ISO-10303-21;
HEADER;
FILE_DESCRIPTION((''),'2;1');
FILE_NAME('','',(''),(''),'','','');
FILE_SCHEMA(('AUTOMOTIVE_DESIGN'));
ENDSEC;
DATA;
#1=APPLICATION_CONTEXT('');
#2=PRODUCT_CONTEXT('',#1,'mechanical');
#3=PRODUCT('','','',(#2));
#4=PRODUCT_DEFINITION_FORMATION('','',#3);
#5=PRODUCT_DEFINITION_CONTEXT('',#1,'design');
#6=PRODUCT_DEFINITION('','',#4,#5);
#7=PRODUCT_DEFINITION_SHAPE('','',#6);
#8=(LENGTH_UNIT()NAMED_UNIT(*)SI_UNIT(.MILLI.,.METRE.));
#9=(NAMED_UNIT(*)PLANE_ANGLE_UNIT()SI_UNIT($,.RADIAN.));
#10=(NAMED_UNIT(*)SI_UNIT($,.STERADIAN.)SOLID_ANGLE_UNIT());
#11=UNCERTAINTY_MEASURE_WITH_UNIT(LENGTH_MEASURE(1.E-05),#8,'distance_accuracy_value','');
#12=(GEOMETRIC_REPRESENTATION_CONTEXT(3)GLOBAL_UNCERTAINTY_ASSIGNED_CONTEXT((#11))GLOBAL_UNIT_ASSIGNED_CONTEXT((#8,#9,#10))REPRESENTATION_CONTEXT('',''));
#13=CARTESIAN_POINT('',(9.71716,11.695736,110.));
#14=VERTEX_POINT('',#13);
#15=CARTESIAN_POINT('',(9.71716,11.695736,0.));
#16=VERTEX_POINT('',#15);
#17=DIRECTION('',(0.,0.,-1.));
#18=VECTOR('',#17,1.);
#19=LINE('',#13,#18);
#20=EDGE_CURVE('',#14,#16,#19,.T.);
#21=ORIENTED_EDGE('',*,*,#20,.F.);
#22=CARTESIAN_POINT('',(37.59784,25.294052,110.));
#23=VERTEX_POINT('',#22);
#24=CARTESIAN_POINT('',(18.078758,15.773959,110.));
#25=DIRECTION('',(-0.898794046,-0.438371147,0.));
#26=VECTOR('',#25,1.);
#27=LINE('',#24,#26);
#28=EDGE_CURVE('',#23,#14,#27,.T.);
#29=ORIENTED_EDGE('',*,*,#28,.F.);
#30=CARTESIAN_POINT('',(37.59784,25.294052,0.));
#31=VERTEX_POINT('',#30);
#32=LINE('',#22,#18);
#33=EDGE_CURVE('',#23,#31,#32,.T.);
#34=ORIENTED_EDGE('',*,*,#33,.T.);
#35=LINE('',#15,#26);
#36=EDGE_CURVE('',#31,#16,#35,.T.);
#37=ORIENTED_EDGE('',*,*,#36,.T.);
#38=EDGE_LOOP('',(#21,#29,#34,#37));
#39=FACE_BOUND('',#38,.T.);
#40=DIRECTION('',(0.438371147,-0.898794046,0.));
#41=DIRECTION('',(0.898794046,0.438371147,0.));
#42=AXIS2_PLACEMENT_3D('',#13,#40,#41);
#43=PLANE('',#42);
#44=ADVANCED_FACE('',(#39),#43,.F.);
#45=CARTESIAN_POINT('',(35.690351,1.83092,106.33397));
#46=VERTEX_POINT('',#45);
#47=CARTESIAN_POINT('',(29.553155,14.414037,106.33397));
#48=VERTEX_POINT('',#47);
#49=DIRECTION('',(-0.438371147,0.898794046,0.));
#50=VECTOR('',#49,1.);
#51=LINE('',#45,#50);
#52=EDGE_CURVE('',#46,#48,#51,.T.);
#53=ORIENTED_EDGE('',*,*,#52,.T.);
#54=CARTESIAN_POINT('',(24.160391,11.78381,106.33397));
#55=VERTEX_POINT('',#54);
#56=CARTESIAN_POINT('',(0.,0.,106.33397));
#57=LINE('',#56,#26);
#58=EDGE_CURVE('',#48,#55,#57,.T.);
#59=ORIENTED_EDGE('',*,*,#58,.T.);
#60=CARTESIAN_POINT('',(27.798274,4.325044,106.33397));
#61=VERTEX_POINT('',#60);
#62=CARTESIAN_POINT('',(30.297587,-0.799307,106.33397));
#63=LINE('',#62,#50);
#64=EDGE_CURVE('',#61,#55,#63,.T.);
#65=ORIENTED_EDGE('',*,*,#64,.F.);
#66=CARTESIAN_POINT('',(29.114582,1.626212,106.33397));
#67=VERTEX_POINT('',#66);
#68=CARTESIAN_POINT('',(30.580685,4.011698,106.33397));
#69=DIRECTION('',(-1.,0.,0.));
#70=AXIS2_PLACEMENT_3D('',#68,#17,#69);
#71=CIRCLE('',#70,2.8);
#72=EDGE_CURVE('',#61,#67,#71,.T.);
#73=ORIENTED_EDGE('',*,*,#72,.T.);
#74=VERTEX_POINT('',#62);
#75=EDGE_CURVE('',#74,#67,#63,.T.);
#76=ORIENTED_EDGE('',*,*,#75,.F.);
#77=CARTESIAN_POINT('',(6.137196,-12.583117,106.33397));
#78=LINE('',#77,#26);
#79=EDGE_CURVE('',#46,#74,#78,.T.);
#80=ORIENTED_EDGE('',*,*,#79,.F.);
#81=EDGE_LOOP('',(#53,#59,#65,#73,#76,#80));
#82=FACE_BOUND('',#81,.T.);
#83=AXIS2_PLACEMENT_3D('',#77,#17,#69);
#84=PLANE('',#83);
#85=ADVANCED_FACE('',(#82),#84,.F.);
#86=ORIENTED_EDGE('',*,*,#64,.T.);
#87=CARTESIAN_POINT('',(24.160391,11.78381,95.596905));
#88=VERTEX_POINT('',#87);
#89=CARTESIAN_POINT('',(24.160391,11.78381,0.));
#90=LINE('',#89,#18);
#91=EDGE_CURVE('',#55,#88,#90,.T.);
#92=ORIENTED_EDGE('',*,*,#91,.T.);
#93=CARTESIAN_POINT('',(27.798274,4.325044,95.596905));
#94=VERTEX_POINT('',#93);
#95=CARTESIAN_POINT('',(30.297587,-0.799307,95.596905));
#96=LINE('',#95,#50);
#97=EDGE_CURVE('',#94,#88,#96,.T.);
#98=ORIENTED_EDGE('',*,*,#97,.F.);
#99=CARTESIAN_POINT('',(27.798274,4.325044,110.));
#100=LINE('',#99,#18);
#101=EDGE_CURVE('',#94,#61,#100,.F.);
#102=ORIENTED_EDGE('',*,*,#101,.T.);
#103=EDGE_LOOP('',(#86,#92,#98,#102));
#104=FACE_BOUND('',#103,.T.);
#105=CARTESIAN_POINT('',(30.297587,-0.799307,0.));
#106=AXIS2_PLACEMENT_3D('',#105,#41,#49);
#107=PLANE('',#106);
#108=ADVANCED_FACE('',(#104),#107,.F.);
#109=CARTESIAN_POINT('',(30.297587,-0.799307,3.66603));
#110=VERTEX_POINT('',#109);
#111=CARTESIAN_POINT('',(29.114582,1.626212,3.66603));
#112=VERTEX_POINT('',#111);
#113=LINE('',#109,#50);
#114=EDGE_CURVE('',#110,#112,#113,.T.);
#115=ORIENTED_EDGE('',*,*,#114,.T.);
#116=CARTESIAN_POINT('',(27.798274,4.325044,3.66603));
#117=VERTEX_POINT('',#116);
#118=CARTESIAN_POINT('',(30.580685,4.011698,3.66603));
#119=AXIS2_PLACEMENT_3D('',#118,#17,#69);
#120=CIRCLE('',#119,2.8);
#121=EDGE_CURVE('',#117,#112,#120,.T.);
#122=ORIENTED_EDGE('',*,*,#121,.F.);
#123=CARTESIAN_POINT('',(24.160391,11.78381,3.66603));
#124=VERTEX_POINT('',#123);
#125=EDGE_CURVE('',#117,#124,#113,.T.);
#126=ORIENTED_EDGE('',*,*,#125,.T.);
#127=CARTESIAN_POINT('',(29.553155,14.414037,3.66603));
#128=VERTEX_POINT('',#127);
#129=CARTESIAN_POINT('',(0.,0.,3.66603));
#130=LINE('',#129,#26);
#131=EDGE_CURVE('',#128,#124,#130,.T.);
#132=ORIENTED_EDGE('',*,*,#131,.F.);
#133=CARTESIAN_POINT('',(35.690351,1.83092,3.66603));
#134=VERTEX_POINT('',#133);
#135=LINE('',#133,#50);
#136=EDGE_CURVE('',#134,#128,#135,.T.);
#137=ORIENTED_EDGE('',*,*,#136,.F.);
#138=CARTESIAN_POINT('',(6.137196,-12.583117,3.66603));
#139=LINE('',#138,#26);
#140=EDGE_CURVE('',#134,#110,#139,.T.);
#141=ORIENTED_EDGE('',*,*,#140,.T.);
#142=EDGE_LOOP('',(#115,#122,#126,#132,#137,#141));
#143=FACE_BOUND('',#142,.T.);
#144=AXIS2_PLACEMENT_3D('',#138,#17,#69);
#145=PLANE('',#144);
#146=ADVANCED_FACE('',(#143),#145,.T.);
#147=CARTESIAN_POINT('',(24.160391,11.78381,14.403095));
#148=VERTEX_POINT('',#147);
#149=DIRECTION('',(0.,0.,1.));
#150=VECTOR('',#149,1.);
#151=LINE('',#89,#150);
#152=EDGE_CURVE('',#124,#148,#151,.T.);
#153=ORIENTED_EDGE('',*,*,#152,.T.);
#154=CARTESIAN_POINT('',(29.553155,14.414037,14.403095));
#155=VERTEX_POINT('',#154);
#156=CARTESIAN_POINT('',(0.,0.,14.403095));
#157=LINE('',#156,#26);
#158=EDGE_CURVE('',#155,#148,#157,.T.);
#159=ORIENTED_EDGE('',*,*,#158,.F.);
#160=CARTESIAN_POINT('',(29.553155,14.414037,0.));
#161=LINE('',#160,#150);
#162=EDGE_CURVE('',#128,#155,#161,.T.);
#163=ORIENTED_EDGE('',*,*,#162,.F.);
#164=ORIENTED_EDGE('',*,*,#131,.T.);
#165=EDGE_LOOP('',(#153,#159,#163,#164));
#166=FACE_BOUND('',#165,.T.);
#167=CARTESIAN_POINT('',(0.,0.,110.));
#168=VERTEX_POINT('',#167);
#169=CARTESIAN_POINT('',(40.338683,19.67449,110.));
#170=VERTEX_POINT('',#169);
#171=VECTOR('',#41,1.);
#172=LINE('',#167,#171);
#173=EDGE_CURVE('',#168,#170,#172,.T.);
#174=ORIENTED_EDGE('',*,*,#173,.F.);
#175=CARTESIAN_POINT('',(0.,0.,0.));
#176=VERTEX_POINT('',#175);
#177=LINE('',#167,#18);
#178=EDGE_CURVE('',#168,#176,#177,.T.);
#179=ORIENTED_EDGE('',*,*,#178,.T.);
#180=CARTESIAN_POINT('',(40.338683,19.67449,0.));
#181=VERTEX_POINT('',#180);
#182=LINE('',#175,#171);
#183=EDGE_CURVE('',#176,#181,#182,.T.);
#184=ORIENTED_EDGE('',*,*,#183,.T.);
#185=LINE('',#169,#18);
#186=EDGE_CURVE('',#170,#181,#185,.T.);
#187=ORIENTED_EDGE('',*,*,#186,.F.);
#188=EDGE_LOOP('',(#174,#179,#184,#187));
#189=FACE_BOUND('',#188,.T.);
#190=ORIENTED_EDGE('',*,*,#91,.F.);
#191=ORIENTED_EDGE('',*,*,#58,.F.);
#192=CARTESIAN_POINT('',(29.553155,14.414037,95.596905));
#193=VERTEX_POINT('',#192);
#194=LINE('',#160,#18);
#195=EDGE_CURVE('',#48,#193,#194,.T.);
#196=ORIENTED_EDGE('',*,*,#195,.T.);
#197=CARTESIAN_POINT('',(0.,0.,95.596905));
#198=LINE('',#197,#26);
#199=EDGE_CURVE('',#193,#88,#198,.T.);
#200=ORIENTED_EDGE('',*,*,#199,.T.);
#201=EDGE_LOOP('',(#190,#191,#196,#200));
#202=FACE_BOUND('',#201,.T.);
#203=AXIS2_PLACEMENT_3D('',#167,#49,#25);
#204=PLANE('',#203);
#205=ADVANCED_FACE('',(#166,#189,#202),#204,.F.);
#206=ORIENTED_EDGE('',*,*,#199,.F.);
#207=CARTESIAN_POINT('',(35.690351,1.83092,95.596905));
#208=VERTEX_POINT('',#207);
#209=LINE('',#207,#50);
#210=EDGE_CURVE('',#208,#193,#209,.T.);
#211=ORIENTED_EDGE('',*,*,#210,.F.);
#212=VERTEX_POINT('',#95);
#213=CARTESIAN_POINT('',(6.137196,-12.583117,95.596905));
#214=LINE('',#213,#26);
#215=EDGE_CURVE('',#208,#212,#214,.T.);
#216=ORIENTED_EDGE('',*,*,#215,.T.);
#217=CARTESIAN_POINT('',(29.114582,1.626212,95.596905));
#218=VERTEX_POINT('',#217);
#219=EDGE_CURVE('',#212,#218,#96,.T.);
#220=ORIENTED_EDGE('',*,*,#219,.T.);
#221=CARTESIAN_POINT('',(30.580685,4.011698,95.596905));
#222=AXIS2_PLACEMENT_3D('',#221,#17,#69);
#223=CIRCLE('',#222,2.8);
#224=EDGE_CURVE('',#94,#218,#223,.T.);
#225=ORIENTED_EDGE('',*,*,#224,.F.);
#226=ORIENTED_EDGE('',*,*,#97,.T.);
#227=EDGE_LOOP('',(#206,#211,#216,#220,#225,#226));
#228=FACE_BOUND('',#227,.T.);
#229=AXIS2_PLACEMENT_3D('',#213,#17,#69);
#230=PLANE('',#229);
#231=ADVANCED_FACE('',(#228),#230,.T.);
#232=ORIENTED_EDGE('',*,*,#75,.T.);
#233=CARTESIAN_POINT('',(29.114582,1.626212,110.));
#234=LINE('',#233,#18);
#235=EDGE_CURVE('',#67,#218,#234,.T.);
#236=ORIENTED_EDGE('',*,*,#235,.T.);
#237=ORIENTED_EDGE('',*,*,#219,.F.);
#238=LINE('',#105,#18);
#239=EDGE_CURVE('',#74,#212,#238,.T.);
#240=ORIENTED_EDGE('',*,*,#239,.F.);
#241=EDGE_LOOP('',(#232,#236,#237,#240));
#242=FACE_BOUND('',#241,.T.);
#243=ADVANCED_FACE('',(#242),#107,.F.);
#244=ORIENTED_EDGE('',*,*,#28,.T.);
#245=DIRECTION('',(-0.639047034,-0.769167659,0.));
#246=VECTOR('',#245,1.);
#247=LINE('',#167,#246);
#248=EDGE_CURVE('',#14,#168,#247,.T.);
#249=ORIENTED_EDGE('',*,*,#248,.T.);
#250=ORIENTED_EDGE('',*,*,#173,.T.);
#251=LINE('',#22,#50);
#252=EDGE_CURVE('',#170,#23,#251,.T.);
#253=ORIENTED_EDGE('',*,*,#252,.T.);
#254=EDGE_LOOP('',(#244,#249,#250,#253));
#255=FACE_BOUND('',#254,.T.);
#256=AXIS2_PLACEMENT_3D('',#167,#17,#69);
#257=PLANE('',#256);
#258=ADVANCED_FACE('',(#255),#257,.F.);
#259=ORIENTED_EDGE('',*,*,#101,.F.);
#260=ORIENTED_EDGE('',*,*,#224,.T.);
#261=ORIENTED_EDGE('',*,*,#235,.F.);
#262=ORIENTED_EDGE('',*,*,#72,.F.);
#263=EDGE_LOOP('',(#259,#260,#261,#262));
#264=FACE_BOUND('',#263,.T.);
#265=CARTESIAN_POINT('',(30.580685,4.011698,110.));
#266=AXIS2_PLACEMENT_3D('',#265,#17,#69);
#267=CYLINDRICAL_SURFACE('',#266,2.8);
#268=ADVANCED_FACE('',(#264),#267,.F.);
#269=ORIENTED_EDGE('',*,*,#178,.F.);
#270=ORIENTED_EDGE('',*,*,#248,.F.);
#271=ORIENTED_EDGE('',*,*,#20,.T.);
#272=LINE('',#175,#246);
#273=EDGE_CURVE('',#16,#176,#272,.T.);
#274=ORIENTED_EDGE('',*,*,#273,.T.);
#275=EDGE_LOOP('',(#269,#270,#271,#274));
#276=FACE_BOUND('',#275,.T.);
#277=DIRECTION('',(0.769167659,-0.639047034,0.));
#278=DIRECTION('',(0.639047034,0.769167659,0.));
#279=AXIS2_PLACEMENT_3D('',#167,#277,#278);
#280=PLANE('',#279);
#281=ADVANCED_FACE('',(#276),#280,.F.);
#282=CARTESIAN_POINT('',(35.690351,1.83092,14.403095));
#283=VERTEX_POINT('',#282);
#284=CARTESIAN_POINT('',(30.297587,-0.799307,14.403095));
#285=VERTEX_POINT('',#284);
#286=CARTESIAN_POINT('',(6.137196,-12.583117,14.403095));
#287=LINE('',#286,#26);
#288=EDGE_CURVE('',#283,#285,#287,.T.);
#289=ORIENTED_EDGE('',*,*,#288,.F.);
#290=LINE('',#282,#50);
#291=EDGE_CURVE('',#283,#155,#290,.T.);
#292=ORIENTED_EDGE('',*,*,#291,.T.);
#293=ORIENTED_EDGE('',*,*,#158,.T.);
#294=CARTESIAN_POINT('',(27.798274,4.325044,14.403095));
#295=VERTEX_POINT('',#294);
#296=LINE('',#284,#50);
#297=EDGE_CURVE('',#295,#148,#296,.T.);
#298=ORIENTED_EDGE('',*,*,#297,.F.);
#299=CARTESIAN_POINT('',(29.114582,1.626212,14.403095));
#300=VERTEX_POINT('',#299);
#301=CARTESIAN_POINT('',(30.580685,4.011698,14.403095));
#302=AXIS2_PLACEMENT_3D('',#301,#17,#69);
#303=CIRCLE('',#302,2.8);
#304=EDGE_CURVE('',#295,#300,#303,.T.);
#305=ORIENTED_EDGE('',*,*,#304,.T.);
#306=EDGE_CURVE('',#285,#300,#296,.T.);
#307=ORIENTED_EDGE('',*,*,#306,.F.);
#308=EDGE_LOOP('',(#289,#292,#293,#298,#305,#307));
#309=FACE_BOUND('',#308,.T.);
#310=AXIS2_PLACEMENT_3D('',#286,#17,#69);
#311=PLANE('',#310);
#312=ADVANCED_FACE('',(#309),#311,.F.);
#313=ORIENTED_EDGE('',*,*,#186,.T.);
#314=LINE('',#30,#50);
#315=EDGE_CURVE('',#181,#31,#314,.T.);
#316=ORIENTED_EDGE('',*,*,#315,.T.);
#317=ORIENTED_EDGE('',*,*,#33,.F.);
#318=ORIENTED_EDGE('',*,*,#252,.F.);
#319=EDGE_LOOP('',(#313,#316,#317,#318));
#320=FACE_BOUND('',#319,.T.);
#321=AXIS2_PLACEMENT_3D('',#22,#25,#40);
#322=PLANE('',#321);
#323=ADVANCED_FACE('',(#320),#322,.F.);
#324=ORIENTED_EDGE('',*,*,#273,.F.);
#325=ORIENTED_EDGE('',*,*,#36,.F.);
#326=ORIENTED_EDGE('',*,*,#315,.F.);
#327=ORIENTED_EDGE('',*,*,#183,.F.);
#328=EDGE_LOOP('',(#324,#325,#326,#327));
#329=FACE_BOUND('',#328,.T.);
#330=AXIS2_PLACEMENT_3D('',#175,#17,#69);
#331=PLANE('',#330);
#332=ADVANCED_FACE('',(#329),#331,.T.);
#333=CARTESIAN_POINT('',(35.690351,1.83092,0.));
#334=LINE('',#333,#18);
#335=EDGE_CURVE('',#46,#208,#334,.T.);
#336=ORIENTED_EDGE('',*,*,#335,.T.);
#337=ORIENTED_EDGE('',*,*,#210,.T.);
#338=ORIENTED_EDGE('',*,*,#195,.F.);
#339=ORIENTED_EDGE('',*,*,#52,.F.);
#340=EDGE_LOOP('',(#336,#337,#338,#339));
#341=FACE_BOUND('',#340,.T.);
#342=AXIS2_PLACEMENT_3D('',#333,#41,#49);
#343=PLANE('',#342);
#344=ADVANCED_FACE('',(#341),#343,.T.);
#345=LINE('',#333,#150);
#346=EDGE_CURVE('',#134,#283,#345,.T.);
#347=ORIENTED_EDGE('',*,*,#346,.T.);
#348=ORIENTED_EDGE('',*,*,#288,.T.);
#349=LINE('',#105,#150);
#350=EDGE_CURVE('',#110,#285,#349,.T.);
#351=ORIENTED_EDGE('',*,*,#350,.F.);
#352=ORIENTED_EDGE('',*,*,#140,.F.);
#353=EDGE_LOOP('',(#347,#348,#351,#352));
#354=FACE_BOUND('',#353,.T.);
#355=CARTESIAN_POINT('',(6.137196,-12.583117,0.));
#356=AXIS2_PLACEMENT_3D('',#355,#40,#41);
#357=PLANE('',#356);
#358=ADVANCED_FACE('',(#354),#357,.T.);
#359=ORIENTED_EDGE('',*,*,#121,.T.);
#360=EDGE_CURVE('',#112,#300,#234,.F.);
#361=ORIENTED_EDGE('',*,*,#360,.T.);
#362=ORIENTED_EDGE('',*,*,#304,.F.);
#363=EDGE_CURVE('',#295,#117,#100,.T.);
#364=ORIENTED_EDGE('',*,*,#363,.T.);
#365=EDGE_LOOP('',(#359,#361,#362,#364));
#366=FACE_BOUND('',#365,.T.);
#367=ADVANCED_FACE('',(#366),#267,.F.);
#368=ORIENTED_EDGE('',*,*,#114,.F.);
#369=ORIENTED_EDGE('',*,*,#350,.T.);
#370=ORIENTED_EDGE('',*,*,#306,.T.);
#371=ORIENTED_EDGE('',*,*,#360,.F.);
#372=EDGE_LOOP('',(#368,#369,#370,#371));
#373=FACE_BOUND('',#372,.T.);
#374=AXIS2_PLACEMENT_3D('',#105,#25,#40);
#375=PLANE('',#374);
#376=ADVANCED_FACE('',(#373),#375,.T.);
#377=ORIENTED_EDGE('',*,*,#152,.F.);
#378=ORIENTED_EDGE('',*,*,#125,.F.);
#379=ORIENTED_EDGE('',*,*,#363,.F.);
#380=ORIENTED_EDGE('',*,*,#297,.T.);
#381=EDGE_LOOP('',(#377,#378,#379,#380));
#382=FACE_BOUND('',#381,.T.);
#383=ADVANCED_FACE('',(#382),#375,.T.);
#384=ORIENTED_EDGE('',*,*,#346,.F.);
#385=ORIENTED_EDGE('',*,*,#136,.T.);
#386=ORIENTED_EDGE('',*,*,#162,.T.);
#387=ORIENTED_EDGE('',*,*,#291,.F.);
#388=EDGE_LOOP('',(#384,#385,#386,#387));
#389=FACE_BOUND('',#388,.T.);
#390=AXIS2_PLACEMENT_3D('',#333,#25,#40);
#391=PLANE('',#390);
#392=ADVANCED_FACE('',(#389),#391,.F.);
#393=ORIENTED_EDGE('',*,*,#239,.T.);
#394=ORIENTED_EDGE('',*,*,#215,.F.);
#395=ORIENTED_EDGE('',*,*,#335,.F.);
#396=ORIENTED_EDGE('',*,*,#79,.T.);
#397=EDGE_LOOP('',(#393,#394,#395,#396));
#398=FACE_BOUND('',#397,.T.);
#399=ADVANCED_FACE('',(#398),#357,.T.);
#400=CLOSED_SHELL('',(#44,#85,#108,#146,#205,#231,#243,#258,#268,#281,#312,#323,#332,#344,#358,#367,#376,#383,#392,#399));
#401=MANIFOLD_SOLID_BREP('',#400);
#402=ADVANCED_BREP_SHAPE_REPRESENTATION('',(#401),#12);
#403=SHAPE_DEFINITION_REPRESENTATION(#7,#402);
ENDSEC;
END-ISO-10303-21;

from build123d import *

# Parameters (mm, degrees)
BOSS_EXTRUDE1_DEPTH = 110
SKETCH3_W           = 6
SKETCH3_H           = 10.73706506
BOSS_EXTRUDE3_DEPTH = 14
SKETCH18_R          = 2.8
CUT_EXTRUDE4_DEPTH  = 117.507131621


with BuildPart() as part:
    # Sketch1 → Boss-Extrude1 (new body)
    with BuildSketch(Plane.XY):
        Polygon((0, 0), (9.717159864, 11.695735532), (18.078758039, 15.773959455), (37.597840156, 25.294051902), (40.338683398, 19.674490473), align=None)
    extrude(amount=BOSS_EXTRUDE1_DEPTH)

    # Sketch3 → Boss-Extrude3 (add)
    with BuildSketch(Plane(origin=(0, 0, 0), x_dir=(0.8987940462991665, 0.43837114678907857, 0), z_dir=(0.43837114678907857, -0.8987940462991665, 0))):
        with Locations((29.880897425, 100.965437953)):
            Rectangle(SKETCH3_W, SKETCH3_H)
        with Locations((29.880897425, 9.034562047)):
            Rectangle(SKETCH3_W, SKETCH3_H)
    extrude(amount=BOSS_EXTRUDE3_DEPTH)

    # Sketch18 → Cut-Extrude4 (cut, through all)
    with BuildSketch(Plane(origin=(0, 0, 3.666029517), x_dir=(-1, 0, 0), z_dir=(0, 0, -1))):
        with Locations((-30.580685329, 4.011697799)):
            Circle(SKETCH18_R)
    extrude(amount=-CUT_EXTRUDE4_DEPTH, mode=Mode.SUBTRACT)


solid = part.part
